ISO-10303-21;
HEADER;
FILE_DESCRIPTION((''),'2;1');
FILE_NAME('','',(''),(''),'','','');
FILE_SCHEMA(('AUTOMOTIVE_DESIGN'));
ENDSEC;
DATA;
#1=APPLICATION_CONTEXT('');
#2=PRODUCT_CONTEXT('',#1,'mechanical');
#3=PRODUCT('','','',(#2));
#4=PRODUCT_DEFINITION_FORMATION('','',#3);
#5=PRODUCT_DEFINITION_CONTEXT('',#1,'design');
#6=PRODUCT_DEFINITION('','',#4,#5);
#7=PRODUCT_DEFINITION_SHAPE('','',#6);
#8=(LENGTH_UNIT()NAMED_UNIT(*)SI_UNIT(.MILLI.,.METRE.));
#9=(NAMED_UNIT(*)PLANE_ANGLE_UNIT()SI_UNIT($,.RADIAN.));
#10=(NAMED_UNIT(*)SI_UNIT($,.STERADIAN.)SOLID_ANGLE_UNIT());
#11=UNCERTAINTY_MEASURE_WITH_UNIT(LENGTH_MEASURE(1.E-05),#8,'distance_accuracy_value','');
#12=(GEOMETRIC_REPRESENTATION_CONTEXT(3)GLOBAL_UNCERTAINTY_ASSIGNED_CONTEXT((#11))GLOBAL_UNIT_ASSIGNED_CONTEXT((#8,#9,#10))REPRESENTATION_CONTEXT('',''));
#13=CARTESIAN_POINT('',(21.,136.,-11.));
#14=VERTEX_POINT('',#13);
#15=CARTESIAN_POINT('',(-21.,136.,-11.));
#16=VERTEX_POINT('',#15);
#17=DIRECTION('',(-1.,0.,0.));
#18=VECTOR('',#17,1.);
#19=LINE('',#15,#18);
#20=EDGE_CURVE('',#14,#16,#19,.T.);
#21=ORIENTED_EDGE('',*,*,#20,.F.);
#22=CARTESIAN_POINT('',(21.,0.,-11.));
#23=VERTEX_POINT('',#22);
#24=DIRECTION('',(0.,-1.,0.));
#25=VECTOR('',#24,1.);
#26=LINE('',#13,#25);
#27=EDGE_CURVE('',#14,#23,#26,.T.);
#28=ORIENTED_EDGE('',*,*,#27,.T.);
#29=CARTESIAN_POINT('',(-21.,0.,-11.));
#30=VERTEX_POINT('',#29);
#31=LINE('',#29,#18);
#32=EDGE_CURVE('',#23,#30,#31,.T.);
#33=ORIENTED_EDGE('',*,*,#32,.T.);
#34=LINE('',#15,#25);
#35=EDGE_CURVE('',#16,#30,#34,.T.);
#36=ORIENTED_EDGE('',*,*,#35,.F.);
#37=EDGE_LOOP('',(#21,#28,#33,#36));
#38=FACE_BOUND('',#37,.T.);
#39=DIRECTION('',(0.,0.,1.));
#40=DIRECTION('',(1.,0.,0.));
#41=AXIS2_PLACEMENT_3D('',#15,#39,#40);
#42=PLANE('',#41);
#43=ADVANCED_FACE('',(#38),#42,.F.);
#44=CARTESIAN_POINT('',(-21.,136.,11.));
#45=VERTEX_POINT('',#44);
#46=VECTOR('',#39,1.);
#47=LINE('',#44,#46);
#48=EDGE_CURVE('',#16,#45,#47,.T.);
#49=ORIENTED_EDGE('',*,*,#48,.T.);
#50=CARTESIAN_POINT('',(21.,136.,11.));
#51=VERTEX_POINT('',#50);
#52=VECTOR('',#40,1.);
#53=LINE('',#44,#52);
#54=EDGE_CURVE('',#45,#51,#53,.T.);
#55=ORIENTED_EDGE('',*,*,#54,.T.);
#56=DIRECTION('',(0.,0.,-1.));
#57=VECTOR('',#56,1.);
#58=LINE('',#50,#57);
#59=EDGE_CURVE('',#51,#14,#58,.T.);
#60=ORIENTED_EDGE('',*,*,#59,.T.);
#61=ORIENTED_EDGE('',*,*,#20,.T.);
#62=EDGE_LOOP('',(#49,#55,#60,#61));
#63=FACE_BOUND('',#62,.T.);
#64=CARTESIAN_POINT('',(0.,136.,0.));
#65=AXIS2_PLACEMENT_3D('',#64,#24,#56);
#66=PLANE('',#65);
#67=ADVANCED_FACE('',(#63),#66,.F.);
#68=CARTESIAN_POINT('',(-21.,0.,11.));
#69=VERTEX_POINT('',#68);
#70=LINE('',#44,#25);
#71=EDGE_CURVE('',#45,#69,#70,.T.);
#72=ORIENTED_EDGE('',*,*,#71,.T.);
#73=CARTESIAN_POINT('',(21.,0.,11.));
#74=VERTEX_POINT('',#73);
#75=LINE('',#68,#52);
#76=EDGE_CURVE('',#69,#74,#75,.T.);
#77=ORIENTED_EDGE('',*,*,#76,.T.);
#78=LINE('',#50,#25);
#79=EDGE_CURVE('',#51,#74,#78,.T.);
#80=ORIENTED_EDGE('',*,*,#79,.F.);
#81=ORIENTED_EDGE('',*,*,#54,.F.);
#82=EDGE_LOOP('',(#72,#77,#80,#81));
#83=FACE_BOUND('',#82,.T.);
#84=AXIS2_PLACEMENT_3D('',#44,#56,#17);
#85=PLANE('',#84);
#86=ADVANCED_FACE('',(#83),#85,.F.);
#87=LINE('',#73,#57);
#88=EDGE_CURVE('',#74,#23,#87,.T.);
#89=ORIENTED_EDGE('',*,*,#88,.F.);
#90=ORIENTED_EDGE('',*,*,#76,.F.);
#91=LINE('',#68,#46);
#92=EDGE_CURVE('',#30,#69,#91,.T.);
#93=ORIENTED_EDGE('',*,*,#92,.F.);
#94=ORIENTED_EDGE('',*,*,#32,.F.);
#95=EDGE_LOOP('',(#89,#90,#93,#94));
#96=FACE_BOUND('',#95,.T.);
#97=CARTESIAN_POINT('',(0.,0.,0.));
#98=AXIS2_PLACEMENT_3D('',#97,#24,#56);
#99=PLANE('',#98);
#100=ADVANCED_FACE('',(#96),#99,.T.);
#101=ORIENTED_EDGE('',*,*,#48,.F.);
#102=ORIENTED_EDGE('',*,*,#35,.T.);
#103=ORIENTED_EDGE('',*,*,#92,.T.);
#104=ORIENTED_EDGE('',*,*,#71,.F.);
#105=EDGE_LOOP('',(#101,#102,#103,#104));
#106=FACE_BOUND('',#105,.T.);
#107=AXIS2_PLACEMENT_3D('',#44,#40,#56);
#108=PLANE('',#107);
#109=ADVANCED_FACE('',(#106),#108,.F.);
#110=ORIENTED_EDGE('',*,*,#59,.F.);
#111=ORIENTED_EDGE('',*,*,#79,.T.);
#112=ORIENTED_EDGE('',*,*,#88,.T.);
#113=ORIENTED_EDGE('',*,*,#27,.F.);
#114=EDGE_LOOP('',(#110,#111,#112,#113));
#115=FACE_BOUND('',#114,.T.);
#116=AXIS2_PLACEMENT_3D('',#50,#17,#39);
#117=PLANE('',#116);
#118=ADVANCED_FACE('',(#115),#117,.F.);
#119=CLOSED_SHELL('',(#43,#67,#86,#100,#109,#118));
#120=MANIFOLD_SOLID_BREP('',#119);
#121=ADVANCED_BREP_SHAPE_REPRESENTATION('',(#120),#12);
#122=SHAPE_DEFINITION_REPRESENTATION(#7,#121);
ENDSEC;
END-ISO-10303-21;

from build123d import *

# Parameters (mm, degrees)
SKETCH1_W           = 42
SKETCH1_H           = 22
BOSS_EXTRUDE1_DEPTH = 136


with BuildPart() as part:
    # Sketch1 → Boss-Extrude1 (new body)
    with BuildSketch(Plane(origin=(0, 0, 0), x_dir=(1, 0, 0), z_dir=(0, 1, 0))):
        Rectangle(SKETCH1_W, SKETCH1_H)
    extrude(amount=BOSS_EXTRUDE1_DEPTH)


solid = part.part
